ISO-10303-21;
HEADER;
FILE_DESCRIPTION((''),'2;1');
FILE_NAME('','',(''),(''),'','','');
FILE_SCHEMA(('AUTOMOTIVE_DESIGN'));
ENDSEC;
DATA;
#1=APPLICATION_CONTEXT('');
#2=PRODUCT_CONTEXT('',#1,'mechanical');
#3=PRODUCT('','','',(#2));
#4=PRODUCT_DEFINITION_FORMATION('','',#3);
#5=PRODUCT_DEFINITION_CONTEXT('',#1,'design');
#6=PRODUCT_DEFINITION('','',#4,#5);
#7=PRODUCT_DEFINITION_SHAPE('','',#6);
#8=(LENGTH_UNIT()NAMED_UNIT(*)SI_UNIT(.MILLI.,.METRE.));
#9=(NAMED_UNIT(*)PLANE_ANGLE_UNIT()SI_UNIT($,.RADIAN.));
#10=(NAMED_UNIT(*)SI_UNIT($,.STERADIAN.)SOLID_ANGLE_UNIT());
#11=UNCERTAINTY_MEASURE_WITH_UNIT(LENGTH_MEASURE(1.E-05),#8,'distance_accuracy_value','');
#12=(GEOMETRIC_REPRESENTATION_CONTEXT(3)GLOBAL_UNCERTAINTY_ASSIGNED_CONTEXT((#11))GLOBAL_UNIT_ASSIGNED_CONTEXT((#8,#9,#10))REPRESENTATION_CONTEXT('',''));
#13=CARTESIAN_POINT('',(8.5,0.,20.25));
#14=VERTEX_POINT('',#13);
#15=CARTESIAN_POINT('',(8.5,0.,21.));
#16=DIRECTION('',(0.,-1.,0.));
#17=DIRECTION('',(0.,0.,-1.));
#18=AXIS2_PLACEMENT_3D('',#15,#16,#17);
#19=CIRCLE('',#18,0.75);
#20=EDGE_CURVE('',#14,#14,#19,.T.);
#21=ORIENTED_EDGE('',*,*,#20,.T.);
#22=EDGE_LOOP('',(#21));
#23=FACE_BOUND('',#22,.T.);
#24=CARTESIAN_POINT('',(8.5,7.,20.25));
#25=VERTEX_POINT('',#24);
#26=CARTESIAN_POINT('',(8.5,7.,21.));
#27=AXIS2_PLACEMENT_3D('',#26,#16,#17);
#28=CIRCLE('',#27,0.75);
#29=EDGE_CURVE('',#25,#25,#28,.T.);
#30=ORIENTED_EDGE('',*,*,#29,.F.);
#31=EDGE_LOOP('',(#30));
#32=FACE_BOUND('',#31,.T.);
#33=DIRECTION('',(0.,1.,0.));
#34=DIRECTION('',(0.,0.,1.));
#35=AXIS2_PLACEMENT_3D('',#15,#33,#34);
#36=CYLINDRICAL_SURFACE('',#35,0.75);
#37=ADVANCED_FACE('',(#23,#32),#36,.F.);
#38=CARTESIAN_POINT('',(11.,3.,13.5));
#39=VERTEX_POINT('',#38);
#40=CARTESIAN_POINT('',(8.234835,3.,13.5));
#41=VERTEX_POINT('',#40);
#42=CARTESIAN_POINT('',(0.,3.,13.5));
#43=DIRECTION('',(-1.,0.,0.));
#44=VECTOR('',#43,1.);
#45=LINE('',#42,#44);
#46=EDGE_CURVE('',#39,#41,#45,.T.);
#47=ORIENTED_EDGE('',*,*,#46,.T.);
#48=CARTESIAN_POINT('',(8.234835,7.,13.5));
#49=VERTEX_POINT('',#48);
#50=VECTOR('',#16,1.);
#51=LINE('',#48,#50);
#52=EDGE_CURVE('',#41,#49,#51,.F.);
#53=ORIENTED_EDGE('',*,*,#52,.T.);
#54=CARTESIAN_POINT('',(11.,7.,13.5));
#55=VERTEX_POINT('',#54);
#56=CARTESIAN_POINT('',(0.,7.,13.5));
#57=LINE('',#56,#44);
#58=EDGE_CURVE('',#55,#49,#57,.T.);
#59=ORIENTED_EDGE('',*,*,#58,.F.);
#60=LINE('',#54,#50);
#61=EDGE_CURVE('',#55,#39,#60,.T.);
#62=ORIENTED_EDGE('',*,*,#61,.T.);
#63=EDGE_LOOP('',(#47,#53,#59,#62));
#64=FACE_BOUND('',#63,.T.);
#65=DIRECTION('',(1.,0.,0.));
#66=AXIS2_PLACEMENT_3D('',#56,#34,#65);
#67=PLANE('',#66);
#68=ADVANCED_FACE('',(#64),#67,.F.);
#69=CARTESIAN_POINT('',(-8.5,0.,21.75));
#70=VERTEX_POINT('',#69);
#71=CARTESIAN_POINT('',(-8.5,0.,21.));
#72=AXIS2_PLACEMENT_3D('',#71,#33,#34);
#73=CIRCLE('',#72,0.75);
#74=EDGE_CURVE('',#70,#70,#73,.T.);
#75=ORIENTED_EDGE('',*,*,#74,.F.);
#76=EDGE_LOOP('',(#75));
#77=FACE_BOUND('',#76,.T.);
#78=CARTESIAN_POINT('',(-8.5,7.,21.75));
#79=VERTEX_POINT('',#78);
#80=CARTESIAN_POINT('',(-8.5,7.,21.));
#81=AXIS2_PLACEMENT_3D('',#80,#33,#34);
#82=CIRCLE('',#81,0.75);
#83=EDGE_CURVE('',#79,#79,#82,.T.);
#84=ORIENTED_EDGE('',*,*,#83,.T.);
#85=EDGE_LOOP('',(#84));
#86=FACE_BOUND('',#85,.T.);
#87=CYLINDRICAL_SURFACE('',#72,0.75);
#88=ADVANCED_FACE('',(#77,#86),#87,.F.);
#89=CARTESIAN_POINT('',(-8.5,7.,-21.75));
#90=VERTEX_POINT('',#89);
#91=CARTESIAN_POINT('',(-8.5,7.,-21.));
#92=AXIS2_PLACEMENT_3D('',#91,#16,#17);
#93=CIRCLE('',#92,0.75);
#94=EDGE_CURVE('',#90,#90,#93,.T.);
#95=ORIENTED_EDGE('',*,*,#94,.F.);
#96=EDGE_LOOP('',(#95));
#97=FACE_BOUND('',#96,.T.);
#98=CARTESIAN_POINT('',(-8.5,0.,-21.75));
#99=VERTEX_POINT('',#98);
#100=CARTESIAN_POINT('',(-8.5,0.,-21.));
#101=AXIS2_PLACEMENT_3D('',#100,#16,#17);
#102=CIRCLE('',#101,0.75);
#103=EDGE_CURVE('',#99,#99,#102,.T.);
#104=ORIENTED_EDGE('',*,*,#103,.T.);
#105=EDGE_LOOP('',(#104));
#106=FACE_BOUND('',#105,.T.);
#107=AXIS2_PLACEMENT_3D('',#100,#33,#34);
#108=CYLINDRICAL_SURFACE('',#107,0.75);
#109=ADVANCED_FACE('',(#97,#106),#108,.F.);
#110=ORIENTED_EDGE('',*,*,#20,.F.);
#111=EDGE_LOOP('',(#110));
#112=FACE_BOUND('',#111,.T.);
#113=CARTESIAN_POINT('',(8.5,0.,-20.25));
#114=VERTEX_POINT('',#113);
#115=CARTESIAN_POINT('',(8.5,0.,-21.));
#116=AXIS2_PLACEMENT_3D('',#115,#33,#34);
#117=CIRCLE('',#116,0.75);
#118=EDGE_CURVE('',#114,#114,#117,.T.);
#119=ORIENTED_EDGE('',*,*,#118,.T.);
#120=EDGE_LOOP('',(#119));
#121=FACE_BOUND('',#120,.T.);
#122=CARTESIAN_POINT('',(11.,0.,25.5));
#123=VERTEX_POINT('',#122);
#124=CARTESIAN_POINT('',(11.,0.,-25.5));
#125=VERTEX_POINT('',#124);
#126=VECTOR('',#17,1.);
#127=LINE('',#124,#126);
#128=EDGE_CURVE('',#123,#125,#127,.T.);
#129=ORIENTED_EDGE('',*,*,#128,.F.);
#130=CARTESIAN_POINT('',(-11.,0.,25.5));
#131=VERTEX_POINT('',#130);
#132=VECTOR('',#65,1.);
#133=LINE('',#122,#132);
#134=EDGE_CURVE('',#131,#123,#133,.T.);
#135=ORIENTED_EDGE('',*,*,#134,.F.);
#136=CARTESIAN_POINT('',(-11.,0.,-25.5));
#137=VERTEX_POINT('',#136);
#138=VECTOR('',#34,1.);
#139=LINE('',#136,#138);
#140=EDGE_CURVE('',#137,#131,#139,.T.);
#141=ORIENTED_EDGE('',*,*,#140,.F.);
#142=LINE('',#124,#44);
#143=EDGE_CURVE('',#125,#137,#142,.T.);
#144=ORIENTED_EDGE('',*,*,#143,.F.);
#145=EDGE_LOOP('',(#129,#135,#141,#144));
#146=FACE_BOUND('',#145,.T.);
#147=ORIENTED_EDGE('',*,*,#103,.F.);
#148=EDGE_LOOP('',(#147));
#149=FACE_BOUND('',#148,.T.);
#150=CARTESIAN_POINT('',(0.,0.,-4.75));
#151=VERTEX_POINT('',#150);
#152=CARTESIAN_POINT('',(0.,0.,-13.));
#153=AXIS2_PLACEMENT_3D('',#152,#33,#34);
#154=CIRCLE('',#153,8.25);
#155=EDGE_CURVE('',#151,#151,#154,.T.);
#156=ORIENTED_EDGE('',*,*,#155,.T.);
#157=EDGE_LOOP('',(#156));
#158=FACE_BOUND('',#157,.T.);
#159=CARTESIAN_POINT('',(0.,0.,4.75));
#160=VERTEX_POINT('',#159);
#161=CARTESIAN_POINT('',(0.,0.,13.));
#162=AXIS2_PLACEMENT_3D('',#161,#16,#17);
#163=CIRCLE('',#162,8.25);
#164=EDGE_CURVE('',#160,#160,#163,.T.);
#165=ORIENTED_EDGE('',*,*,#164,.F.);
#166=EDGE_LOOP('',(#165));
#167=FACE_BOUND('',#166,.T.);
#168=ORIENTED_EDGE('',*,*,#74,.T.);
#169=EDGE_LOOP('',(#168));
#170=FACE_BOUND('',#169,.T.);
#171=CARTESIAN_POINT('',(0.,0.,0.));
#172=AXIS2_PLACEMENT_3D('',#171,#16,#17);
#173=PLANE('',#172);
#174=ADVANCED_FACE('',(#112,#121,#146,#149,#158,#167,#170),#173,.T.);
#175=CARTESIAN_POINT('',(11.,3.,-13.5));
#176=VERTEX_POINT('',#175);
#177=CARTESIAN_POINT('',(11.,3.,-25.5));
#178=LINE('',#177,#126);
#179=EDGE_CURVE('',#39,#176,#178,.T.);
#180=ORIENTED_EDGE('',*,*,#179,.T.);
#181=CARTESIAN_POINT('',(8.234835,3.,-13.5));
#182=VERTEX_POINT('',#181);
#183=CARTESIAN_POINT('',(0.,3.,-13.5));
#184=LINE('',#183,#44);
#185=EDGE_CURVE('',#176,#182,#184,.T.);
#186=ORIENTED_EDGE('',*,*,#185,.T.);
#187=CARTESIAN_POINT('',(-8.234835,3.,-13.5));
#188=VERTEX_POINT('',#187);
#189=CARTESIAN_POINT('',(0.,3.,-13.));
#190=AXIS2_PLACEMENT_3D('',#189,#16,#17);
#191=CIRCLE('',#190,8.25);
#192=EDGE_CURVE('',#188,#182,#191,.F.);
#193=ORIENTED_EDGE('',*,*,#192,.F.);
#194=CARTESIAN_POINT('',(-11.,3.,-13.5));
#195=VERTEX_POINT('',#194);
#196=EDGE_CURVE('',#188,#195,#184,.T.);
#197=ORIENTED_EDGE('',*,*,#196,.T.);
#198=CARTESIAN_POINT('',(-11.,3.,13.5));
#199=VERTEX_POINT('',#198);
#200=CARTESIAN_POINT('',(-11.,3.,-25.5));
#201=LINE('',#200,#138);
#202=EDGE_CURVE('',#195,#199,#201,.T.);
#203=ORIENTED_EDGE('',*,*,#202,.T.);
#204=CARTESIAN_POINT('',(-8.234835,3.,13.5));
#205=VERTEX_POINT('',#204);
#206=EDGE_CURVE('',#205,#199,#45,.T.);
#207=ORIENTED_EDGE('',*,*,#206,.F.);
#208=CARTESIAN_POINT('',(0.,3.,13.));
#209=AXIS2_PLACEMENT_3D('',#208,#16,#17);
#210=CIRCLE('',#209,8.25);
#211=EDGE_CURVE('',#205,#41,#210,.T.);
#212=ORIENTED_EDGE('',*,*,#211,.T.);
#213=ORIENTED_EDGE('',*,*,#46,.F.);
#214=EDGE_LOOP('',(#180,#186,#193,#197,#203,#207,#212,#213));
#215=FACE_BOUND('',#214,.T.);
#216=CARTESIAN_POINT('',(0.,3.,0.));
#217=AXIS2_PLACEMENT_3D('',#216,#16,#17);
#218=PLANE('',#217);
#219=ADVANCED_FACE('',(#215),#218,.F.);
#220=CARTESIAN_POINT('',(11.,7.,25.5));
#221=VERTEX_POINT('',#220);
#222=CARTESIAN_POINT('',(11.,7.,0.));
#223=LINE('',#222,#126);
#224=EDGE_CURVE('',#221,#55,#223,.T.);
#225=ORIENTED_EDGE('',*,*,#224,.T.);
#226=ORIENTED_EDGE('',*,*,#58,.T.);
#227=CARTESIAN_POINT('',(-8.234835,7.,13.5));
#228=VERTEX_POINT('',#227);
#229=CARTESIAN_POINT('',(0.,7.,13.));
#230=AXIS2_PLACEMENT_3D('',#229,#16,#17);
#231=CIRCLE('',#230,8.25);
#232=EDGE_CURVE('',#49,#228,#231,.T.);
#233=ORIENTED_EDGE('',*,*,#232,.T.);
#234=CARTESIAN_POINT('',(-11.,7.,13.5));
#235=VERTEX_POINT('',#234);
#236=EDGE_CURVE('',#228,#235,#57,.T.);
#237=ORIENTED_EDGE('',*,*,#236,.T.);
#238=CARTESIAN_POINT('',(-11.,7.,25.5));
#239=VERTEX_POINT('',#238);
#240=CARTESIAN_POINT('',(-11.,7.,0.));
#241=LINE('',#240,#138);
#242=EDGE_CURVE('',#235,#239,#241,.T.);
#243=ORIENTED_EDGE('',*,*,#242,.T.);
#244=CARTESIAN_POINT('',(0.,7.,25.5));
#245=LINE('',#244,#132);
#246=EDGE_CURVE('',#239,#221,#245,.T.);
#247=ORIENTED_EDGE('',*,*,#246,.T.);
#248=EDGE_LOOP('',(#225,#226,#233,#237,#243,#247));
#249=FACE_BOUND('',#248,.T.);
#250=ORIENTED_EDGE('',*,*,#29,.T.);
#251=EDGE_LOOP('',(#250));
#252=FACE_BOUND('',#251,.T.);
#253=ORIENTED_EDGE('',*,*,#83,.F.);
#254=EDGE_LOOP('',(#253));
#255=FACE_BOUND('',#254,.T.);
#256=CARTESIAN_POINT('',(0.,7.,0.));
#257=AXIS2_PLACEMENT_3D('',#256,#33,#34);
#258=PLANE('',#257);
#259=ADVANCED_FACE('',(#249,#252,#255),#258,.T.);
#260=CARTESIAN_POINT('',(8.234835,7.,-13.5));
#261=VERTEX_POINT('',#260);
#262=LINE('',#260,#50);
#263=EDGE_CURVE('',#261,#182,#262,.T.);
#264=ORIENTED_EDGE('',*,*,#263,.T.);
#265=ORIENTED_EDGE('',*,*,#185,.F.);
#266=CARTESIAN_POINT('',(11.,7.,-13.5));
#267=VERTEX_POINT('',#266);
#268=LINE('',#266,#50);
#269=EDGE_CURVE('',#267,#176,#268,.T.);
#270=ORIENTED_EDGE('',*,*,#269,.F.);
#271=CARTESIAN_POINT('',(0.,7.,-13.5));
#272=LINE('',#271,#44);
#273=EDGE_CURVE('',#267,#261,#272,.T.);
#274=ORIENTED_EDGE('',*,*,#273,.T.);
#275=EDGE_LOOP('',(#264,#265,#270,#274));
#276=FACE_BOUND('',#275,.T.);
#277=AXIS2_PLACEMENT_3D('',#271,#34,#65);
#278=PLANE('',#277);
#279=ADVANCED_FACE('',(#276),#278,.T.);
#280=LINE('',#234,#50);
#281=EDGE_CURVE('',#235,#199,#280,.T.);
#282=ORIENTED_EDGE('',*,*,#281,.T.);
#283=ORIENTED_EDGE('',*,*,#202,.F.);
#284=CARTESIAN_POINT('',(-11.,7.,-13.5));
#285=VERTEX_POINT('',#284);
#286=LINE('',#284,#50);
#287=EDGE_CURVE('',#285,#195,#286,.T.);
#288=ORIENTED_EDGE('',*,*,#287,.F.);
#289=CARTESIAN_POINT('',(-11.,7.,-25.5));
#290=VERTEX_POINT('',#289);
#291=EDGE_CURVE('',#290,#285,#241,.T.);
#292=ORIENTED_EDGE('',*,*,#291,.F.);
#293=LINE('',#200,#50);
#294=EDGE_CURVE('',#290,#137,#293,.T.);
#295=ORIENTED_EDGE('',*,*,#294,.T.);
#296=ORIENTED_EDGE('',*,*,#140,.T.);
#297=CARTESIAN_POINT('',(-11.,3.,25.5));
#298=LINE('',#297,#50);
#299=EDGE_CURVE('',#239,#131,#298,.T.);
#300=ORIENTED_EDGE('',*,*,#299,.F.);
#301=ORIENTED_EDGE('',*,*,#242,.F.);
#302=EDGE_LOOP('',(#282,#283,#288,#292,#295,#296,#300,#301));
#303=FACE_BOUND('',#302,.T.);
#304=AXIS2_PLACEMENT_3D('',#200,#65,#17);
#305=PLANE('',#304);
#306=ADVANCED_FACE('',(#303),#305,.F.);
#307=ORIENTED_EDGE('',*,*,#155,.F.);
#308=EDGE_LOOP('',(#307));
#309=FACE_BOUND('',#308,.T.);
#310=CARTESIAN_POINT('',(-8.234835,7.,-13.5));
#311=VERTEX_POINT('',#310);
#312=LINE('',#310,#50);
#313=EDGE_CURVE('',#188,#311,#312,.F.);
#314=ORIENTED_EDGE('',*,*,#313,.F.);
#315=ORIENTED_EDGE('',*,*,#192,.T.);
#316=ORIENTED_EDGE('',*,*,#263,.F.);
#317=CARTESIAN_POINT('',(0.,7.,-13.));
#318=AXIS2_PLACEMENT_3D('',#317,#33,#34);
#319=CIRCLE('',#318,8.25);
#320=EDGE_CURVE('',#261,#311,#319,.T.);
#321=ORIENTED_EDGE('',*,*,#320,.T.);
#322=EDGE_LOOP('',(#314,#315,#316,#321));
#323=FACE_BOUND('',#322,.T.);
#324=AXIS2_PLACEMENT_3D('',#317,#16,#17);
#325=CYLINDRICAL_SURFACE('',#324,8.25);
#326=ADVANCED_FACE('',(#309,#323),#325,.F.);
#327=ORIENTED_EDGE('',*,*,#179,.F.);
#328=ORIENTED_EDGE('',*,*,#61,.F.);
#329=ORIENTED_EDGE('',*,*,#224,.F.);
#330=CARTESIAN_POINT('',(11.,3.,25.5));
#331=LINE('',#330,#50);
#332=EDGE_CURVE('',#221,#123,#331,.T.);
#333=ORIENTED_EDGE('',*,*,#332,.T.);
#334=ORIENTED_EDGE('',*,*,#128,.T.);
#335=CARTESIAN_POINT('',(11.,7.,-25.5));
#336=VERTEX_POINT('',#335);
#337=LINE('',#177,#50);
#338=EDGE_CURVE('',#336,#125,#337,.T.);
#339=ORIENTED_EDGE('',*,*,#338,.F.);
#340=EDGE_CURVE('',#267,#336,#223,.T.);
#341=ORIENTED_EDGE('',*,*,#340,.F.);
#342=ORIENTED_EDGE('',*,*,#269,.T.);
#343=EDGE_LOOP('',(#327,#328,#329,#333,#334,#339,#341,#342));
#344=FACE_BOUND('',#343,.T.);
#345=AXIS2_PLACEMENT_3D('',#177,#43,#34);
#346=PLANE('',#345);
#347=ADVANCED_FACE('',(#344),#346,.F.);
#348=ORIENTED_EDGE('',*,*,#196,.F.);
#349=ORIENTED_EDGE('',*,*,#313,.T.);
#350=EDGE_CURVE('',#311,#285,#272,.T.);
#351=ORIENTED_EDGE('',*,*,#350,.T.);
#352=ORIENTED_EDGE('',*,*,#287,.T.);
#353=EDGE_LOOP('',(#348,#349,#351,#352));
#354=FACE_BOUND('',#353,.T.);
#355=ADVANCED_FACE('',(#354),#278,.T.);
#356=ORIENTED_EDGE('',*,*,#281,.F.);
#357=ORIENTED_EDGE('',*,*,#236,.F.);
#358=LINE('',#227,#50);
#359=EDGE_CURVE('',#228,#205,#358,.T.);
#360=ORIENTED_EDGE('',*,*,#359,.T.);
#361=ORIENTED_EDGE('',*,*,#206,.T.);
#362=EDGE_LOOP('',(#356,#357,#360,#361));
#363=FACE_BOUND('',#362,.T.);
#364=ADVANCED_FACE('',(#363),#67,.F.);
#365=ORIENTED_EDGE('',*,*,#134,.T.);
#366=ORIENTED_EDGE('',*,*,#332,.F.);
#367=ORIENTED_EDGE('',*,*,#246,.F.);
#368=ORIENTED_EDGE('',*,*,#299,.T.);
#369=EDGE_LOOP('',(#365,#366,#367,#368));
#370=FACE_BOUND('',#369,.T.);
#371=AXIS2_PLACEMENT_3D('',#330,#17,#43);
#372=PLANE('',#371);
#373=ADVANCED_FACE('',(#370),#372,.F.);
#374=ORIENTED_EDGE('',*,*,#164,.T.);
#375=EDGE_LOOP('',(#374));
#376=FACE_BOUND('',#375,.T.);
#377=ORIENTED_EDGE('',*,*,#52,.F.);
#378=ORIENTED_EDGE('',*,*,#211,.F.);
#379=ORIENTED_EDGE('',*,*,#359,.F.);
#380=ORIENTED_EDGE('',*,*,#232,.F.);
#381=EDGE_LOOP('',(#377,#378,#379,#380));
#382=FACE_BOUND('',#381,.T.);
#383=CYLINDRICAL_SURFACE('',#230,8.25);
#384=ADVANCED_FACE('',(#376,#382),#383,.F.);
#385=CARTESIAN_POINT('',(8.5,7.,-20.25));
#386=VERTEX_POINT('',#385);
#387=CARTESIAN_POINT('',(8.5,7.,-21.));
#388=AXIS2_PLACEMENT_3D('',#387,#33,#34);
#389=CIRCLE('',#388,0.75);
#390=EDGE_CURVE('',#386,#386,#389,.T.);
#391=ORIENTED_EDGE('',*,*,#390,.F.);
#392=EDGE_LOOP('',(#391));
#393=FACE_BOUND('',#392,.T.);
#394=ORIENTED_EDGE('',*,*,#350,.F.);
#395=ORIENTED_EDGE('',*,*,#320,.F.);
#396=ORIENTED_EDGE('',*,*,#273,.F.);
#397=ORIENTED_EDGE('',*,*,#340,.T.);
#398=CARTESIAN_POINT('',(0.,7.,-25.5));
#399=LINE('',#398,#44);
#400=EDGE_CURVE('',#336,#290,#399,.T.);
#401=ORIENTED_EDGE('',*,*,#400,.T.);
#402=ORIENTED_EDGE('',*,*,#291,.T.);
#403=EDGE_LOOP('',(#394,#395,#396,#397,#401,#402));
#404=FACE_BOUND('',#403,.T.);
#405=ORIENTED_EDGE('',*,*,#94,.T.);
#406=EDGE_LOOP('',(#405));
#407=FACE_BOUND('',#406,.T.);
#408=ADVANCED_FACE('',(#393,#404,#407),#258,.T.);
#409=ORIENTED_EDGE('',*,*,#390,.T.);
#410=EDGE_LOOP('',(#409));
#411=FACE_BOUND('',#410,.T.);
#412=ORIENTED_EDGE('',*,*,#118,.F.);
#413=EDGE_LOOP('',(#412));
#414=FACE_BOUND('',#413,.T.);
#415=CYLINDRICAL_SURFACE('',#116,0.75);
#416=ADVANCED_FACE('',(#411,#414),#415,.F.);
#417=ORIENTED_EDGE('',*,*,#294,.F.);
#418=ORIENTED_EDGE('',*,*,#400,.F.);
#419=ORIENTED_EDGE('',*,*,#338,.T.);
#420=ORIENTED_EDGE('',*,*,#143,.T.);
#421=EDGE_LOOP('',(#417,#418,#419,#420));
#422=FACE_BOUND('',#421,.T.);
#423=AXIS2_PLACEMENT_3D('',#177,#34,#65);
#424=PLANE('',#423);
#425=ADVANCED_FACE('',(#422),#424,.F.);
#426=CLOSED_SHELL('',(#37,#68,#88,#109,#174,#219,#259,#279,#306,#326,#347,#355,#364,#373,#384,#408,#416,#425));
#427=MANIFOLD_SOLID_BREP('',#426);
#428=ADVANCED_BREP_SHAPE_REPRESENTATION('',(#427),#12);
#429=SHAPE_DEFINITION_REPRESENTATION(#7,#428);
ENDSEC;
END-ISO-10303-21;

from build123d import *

# Parameters (mm, degrees)
SKETCH_1_W             = 22
SKETCH_1_H             = 51
EXTRUDE_410_DEPTH      = 3
SKETCH_2_W             = 22
SKETCH_2_H             = 12
EXTRUDE_754_DEPTH      = 4
SKETCH_3_R             = 8.25
CUT_EXTRUDE_970_DEPTH  = 8
SKETCH_4_R             = 0.75
CUT_EXTRUDE_1248_DEPTH = 8


with BuildPart() as part:
    # 草图1 → Extrude 410 (new body)
    with BuildSketch(Plane(origin=(0, 0, 0), x_dir=(1, 0, 0), z_dir=(0, 1, 0))):
        Rectangle(SKETCH_1_W, SKETCH_1_H)
    extrude(amount=EXTRUDE_410_DEPTH)

    # 草图2 → Extrude 754 (add)
    with BuildSketch(Plane(origin=(0, 3, 0), x_dir=(1, 0, 0), z_dir=(0, 1, 0))):
        with Locations((0, -19.5)):
            Rectangle(SKETCH_2_W, SKETCH_2_H)
        with Locations((0, 19.5)):
            Rectangle(SKETCH_2_W, SKETCH_2_H)
    extrude(amount=EXTRUDE_754_DEPTH)

    # 草图3 → Cut-Extrude 970 (cut, through all)
    with BuildSketch(Plane.XZ):
        with Locations((0, 13)):
            Circle(SKETCH_3_R)
        with Locations((0, -13)):
            Circle(SKETCH_3_R)
    extrude(amount=-CUT_EXTRUDE_970_DEPTH, mode=Mode.SUBTRACT)

    # 草图4 → Cut-Extrude 1248 (cut, through all)
    with BuildSketch(Plane(origin=(0, 7, 0), x_dir=(1, 0, 0), z_dir=(0, 1, 0))):
        with Locations((-8.5, -21)):
            Circle(SKETCH_4_R)
        with Locations((8.5, -21)):
            Circle(SKETCH_4_R)
        with Locations((8.5, 21)):
            Circle(SKETCH_4_R)
        with Locations((-8.5, 21)):
            Circle(SKETCH_4_R)
    extrude(amount=-CUT_EXTRUDE_1248_DEPTH, mode=Mode.SUBTRACT)


solid = part.part
